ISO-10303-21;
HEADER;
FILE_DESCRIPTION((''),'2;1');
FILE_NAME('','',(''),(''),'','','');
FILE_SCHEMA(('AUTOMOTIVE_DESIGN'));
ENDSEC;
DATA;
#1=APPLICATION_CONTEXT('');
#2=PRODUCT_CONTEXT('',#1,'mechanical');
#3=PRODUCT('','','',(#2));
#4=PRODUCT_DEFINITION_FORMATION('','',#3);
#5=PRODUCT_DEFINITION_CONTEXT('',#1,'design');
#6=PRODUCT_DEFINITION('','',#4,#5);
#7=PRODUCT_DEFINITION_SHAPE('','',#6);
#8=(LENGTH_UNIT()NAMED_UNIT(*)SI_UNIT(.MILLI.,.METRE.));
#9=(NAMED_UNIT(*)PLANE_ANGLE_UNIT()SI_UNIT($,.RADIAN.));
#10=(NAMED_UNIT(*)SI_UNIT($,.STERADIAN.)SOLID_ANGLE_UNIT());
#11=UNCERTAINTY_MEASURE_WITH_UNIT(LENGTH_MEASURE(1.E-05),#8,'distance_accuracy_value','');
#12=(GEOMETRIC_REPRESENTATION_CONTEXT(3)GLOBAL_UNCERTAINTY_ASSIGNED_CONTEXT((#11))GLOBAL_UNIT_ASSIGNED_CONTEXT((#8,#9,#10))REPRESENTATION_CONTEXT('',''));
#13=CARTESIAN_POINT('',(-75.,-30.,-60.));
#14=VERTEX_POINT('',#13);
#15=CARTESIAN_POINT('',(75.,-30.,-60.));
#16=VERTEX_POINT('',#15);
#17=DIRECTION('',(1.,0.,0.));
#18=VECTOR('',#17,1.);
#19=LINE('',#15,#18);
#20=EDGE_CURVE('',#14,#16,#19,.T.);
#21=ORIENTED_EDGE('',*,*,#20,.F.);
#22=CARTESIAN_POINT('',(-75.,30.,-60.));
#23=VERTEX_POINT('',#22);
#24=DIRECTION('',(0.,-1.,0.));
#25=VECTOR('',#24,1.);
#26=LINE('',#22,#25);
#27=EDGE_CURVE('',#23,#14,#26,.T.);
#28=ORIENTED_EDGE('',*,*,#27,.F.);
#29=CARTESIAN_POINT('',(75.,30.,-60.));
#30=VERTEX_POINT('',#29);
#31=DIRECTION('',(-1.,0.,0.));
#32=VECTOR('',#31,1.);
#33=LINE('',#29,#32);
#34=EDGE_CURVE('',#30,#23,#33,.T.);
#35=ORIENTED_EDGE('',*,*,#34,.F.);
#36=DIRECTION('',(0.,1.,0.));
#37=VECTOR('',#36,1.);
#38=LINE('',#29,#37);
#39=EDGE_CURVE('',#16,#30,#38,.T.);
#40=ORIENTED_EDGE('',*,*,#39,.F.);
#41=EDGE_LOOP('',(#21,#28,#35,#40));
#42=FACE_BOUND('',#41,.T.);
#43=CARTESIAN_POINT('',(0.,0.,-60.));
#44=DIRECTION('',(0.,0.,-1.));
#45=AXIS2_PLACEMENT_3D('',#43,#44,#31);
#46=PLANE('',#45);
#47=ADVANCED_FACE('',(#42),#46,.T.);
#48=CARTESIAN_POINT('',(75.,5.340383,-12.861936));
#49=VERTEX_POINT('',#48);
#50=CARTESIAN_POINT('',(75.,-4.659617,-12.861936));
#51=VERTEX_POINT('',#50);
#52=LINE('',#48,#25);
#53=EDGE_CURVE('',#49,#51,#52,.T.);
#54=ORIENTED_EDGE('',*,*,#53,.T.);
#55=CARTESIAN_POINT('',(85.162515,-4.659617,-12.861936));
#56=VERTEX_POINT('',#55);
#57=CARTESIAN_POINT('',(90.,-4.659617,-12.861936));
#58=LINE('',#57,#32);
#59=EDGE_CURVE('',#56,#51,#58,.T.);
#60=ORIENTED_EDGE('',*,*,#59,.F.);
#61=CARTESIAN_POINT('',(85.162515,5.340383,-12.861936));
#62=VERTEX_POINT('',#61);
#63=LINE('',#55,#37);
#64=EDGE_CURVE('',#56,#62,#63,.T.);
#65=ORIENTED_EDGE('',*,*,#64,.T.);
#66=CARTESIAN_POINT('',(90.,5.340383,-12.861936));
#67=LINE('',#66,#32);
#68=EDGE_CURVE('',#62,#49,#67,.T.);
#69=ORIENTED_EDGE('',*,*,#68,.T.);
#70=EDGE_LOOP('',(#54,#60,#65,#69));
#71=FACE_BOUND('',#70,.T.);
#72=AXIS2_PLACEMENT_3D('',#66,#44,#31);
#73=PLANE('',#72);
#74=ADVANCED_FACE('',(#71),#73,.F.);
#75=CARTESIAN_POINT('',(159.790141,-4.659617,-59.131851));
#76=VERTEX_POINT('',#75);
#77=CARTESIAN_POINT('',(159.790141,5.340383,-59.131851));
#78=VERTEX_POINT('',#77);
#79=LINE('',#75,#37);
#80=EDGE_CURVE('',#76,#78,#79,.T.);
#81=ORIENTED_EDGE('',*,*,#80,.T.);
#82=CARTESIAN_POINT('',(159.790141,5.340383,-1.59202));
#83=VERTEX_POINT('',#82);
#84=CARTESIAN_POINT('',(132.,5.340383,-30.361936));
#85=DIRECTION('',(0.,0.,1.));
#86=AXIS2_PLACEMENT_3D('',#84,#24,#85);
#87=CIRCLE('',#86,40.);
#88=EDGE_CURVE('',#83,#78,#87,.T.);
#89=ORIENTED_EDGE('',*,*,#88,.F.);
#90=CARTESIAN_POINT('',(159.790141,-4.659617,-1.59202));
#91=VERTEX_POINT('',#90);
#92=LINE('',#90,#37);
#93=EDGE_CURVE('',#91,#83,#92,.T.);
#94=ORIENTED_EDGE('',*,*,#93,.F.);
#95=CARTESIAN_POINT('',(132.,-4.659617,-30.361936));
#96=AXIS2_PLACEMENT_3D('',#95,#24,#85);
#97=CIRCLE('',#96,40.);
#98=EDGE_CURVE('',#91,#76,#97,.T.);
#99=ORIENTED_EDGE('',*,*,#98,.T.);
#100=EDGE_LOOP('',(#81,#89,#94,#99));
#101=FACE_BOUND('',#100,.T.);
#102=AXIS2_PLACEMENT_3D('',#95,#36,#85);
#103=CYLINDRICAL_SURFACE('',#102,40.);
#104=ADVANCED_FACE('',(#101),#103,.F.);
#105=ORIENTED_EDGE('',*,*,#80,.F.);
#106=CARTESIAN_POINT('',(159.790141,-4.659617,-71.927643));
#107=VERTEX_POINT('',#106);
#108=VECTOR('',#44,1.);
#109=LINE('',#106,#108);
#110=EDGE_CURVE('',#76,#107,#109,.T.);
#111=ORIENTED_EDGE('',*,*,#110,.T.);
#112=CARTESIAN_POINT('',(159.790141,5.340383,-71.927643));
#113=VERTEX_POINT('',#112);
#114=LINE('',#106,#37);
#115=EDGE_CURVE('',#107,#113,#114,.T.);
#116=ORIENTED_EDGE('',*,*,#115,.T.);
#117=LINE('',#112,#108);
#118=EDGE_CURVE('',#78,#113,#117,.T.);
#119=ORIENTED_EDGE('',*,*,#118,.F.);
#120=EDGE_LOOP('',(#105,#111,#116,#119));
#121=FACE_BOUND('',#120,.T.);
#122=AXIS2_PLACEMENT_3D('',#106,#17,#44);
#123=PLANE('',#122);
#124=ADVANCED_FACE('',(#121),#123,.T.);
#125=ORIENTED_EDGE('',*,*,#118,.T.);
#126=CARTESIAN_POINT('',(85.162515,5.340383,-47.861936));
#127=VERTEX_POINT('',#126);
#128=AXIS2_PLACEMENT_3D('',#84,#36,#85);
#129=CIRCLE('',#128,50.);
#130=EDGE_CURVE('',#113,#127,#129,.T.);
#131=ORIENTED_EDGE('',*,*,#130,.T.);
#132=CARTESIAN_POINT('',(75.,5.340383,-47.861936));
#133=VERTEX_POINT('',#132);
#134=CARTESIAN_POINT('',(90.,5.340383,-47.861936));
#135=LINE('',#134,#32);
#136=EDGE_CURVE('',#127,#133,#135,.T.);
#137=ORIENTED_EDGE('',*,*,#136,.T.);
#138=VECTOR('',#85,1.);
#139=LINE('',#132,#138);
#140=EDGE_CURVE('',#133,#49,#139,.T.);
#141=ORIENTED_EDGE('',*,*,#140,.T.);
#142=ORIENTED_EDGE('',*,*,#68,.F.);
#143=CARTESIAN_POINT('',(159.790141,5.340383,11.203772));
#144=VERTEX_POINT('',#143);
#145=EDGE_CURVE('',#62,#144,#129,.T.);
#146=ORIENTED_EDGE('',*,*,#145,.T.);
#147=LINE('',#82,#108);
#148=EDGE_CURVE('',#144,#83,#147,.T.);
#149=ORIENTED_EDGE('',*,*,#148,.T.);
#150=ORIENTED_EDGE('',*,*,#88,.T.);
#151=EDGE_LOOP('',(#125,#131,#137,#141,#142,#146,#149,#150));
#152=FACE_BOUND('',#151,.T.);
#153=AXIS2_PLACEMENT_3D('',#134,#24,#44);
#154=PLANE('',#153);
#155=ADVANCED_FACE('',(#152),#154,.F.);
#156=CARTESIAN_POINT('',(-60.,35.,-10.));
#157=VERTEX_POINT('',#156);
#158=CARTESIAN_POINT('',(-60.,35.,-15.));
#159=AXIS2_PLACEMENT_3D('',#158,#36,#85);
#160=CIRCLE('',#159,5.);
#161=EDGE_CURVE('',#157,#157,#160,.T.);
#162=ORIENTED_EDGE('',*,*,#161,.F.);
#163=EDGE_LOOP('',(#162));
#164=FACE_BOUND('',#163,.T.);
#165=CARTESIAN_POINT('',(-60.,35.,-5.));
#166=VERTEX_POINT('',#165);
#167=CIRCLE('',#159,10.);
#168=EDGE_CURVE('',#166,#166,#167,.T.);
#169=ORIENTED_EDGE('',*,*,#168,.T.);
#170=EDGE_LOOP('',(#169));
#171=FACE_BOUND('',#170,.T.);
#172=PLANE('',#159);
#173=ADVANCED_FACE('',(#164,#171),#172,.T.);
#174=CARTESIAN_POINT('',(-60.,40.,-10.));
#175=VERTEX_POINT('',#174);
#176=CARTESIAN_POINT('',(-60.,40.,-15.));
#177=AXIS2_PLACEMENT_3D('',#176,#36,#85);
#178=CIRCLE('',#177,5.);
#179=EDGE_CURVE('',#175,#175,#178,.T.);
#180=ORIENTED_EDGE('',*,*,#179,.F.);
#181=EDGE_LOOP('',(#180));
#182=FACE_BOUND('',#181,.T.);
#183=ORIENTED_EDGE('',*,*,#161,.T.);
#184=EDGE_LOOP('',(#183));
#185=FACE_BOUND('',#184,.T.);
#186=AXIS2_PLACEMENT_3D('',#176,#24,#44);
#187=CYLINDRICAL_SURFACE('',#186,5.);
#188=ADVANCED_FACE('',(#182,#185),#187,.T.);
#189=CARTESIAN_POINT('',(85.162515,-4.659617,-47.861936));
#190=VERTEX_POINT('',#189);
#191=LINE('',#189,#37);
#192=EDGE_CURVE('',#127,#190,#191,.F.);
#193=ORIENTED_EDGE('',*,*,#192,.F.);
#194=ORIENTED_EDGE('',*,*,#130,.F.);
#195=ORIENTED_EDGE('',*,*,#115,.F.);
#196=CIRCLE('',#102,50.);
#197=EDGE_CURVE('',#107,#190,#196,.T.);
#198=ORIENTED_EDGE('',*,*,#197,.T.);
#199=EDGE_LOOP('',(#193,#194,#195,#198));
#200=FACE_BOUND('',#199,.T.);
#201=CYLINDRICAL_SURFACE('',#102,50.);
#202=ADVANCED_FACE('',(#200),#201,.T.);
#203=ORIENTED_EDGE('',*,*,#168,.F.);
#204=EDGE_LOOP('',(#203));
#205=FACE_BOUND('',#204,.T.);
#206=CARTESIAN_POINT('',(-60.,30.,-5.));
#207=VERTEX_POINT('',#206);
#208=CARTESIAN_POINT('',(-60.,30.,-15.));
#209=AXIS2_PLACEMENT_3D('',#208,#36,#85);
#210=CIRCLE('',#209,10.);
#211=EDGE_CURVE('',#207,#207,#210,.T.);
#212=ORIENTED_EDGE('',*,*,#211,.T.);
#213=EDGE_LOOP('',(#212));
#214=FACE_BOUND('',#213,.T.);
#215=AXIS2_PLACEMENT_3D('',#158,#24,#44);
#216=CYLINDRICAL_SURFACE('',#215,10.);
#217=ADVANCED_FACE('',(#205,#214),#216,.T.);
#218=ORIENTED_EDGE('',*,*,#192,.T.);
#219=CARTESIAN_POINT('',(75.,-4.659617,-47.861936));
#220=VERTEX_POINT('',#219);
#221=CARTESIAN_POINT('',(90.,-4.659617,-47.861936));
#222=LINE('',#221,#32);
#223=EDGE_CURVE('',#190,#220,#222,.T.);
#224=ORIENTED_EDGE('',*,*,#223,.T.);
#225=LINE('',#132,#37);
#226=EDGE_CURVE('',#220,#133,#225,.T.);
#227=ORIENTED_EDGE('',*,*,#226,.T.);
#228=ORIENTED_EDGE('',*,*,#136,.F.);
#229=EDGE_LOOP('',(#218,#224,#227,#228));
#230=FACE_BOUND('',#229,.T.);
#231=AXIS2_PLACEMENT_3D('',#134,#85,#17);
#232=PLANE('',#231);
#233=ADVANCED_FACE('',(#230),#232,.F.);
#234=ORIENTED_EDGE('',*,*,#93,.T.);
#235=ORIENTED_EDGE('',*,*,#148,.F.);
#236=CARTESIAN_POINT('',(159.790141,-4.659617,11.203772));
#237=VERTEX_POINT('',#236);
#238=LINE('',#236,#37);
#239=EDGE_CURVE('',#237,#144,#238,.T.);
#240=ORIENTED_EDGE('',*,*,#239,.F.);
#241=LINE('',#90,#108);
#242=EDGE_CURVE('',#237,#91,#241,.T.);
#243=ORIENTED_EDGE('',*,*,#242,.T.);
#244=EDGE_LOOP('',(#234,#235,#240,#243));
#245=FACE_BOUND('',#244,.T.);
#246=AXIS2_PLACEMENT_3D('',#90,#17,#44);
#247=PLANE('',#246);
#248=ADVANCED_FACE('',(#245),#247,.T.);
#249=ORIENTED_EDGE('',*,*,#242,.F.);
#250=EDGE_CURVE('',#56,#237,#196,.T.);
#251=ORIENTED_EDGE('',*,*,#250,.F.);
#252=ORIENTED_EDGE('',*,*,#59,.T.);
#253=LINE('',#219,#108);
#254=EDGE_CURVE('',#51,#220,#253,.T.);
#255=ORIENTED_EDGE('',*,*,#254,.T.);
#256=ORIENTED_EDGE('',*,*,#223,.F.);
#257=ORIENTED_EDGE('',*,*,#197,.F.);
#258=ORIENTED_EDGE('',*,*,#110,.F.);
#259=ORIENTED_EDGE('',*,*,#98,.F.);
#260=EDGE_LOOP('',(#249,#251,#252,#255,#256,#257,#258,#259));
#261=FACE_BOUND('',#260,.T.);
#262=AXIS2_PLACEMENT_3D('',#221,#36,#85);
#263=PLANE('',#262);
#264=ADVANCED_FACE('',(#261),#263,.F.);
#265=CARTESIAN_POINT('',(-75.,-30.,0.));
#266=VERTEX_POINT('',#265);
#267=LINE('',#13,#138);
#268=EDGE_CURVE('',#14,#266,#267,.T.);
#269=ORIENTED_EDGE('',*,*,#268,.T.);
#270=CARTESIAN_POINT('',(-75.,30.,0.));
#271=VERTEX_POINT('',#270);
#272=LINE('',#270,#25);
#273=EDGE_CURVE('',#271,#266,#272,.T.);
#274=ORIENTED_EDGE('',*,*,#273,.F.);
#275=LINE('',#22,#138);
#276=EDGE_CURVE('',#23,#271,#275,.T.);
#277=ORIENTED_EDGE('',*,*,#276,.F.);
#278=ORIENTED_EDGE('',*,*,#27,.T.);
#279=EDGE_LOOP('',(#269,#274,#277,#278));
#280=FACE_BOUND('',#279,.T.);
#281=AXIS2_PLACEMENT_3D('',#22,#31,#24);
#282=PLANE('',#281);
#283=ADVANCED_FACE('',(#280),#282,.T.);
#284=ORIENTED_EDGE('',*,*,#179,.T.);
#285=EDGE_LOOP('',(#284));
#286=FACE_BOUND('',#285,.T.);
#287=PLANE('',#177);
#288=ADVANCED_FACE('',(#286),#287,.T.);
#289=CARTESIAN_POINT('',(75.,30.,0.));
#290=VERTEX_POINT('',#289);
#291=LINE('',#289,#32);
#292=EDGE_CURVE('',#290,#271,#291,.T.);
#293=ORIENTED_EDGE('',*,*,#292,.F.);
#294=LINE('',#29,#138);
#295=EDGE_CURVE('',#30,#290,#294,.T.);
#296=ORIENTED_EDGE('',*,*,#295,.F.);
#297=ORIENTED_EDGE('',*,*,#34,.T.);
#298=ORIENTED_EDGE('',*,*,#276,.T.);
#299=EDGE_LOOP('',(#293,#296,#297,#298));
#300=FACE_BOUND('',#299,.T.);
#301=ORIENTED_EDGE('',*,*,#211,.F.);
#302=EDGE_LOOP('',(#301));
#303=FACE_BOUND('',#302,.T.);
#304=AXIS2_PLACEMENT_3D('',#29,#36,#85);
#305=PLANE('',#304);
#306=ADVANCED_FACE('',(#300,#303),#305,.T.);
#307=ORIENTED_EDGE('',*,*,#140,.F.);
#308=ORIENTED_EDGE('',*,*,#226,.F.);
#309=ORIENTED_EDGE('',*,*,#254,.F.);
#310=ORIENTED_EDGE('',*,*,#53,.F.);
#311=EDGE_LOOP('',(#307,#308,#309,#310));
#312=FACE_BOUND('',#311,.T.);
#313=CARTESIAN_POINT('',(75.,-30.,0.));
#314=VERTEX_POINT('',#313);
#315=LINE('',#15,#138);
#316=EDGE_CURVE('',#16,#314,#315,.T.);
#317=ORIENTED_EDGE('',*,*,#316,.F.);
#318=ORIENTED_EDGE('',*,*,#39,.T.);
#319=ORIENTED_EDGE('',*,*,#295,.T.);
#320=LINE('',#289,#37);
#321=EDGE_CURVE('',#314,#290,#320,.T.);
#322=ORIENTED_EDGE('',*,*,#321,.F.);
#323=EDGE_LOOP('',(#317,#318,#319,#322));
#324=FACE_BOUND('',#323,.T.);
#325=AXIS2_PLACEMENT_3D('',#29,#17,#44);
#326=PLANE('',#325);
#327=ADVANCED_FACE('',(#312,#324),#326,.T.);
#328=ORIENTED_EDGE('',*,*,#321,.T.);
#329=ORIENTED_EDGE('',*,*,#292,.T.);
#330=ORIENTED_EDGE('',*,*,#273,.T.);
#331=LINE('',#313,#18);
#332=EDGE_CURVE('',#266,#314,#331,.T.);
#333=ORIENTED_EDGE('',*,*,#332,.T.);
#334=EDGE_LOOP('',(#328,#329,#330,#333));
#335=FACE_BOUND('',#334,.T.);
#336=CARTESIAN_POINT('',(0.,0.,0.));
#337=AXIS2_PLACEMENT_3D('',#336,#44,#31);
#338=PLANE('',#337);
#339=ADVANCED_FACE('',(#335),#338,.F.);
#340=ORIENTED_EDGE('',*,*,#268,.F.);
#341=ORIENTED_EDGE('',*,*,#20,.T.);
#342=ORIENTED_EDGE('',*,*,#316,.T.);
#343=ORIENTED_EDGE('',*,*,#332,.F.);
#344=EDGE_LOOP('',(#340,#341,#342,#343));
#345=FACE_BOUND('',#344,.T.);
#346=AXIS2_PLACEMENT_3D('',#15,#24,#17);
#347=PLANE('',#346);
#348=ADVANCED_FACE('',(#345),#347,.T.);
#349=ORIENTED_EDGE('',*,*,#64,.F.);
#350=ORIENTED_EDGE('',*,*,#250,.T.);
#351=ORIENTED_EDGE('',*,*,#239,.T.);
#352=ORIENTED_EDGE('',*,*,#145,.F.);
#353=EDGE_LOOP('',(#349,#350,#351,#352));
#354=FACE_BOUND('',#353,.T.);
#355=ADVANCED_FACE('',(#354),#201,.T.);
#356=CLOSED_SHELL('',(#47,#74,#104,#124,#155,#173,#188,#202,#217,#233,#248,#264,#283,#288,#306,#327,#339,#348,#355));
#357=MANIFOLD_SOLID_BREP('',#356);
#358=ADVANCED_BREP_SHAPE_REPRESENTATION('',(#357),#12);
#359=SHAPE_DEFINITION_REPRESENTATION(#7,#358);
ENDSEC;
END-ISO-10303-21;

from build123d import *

# Parameters (mm, degrees)
SKETCH1_W           = 150
SKETCH1_H           = 60
BOSS_EXTRUDE2_DEPTH = 60
SKETCH3_R           = 10
BOSS_EXTRUDE3_DEPTH = 5
SKETCH4_R           = 5
BOSS_EXTRUDE4_DEPTH = 5
SKETCH5_W           = 35
SKETCH5_H           = 10
BOSS_EXTRUDE5_DEPTH = 15
BOSS_EXTRUDE7_DEPTH = 10


with BuildPart() as part:
    # Sketch1 → Boss-Extrude2 (new body)
    with BuildSketch(Plane.XY):
        Rectangle(SKETCH1_W, SKETCH1_H)
    extrude(amount=-BOSS_EXTRUDE2_DEPTH)

    # Sketch3 → Boss-Extrude3 (add)
    with BuildSketch(Plane(origin=(0, 30, 0), x_dir=(1, 0, 0), z_dir=(0, 1, 0))):
        with Locations(Location((-60, 15, 0), (0, 0, 270))):
            Circle(SKETCH3_R)
    extrude(amount=BOSS_EXTRUDE3_DEPTH)

    # Sketch4 → Boss-Extrude4 (add)
    with BuildSketch(Plane(origin=(0, 35, 0), x_dir=(1, 0, 0), z_dir=(0, 1, 0))):
        with Locations(Location((-60, 15, 0), (0, 0, 270))):
            Circle(SKETCH4_R)
    extrude(amount=BOSS_EXTRUDE4_DEPTH)

    # Sketch5 → Boss-Extrude5 (add)
    with BuildSketch(Plane(origin=(75, 0, 0), x_dir=(0, 0, -1), z_dir=(1, 0, 0))):
        with Locations((30.361935687, 0.340382959)):
            Rectangle(SKETCH5_W, SKETCH5_H)
    extrude(amount=BOSS_EXTRUDE5_DEPTH)

    # Sketch6 → Boss-Extrude7 (add)
    with BuildSketch(Plane(origin=(0, 5.340382959, 0), x_dir=(1, 0, 0), z_dir=(0, 1, 0))):
        with BuildLine():
            Line((159.790141343, 1.592020078), (159.790141343, -11.203771863))
            ThreePointArc((159.790141343, -11.203771863), (82, 30.361935687), (159.790141343, 71.927643238))
            Line((159.790141343, 71.927643238), (159.790141343, 59.131851296))
            ThreePointArc((159.790141343, 59.131851296), (92, 30.361935687), (159.790141343, 1.592020078))
        make_face()
    extrude(amount=-BOSS_EXTRUDE7_DEPTH)


solid = part.part
